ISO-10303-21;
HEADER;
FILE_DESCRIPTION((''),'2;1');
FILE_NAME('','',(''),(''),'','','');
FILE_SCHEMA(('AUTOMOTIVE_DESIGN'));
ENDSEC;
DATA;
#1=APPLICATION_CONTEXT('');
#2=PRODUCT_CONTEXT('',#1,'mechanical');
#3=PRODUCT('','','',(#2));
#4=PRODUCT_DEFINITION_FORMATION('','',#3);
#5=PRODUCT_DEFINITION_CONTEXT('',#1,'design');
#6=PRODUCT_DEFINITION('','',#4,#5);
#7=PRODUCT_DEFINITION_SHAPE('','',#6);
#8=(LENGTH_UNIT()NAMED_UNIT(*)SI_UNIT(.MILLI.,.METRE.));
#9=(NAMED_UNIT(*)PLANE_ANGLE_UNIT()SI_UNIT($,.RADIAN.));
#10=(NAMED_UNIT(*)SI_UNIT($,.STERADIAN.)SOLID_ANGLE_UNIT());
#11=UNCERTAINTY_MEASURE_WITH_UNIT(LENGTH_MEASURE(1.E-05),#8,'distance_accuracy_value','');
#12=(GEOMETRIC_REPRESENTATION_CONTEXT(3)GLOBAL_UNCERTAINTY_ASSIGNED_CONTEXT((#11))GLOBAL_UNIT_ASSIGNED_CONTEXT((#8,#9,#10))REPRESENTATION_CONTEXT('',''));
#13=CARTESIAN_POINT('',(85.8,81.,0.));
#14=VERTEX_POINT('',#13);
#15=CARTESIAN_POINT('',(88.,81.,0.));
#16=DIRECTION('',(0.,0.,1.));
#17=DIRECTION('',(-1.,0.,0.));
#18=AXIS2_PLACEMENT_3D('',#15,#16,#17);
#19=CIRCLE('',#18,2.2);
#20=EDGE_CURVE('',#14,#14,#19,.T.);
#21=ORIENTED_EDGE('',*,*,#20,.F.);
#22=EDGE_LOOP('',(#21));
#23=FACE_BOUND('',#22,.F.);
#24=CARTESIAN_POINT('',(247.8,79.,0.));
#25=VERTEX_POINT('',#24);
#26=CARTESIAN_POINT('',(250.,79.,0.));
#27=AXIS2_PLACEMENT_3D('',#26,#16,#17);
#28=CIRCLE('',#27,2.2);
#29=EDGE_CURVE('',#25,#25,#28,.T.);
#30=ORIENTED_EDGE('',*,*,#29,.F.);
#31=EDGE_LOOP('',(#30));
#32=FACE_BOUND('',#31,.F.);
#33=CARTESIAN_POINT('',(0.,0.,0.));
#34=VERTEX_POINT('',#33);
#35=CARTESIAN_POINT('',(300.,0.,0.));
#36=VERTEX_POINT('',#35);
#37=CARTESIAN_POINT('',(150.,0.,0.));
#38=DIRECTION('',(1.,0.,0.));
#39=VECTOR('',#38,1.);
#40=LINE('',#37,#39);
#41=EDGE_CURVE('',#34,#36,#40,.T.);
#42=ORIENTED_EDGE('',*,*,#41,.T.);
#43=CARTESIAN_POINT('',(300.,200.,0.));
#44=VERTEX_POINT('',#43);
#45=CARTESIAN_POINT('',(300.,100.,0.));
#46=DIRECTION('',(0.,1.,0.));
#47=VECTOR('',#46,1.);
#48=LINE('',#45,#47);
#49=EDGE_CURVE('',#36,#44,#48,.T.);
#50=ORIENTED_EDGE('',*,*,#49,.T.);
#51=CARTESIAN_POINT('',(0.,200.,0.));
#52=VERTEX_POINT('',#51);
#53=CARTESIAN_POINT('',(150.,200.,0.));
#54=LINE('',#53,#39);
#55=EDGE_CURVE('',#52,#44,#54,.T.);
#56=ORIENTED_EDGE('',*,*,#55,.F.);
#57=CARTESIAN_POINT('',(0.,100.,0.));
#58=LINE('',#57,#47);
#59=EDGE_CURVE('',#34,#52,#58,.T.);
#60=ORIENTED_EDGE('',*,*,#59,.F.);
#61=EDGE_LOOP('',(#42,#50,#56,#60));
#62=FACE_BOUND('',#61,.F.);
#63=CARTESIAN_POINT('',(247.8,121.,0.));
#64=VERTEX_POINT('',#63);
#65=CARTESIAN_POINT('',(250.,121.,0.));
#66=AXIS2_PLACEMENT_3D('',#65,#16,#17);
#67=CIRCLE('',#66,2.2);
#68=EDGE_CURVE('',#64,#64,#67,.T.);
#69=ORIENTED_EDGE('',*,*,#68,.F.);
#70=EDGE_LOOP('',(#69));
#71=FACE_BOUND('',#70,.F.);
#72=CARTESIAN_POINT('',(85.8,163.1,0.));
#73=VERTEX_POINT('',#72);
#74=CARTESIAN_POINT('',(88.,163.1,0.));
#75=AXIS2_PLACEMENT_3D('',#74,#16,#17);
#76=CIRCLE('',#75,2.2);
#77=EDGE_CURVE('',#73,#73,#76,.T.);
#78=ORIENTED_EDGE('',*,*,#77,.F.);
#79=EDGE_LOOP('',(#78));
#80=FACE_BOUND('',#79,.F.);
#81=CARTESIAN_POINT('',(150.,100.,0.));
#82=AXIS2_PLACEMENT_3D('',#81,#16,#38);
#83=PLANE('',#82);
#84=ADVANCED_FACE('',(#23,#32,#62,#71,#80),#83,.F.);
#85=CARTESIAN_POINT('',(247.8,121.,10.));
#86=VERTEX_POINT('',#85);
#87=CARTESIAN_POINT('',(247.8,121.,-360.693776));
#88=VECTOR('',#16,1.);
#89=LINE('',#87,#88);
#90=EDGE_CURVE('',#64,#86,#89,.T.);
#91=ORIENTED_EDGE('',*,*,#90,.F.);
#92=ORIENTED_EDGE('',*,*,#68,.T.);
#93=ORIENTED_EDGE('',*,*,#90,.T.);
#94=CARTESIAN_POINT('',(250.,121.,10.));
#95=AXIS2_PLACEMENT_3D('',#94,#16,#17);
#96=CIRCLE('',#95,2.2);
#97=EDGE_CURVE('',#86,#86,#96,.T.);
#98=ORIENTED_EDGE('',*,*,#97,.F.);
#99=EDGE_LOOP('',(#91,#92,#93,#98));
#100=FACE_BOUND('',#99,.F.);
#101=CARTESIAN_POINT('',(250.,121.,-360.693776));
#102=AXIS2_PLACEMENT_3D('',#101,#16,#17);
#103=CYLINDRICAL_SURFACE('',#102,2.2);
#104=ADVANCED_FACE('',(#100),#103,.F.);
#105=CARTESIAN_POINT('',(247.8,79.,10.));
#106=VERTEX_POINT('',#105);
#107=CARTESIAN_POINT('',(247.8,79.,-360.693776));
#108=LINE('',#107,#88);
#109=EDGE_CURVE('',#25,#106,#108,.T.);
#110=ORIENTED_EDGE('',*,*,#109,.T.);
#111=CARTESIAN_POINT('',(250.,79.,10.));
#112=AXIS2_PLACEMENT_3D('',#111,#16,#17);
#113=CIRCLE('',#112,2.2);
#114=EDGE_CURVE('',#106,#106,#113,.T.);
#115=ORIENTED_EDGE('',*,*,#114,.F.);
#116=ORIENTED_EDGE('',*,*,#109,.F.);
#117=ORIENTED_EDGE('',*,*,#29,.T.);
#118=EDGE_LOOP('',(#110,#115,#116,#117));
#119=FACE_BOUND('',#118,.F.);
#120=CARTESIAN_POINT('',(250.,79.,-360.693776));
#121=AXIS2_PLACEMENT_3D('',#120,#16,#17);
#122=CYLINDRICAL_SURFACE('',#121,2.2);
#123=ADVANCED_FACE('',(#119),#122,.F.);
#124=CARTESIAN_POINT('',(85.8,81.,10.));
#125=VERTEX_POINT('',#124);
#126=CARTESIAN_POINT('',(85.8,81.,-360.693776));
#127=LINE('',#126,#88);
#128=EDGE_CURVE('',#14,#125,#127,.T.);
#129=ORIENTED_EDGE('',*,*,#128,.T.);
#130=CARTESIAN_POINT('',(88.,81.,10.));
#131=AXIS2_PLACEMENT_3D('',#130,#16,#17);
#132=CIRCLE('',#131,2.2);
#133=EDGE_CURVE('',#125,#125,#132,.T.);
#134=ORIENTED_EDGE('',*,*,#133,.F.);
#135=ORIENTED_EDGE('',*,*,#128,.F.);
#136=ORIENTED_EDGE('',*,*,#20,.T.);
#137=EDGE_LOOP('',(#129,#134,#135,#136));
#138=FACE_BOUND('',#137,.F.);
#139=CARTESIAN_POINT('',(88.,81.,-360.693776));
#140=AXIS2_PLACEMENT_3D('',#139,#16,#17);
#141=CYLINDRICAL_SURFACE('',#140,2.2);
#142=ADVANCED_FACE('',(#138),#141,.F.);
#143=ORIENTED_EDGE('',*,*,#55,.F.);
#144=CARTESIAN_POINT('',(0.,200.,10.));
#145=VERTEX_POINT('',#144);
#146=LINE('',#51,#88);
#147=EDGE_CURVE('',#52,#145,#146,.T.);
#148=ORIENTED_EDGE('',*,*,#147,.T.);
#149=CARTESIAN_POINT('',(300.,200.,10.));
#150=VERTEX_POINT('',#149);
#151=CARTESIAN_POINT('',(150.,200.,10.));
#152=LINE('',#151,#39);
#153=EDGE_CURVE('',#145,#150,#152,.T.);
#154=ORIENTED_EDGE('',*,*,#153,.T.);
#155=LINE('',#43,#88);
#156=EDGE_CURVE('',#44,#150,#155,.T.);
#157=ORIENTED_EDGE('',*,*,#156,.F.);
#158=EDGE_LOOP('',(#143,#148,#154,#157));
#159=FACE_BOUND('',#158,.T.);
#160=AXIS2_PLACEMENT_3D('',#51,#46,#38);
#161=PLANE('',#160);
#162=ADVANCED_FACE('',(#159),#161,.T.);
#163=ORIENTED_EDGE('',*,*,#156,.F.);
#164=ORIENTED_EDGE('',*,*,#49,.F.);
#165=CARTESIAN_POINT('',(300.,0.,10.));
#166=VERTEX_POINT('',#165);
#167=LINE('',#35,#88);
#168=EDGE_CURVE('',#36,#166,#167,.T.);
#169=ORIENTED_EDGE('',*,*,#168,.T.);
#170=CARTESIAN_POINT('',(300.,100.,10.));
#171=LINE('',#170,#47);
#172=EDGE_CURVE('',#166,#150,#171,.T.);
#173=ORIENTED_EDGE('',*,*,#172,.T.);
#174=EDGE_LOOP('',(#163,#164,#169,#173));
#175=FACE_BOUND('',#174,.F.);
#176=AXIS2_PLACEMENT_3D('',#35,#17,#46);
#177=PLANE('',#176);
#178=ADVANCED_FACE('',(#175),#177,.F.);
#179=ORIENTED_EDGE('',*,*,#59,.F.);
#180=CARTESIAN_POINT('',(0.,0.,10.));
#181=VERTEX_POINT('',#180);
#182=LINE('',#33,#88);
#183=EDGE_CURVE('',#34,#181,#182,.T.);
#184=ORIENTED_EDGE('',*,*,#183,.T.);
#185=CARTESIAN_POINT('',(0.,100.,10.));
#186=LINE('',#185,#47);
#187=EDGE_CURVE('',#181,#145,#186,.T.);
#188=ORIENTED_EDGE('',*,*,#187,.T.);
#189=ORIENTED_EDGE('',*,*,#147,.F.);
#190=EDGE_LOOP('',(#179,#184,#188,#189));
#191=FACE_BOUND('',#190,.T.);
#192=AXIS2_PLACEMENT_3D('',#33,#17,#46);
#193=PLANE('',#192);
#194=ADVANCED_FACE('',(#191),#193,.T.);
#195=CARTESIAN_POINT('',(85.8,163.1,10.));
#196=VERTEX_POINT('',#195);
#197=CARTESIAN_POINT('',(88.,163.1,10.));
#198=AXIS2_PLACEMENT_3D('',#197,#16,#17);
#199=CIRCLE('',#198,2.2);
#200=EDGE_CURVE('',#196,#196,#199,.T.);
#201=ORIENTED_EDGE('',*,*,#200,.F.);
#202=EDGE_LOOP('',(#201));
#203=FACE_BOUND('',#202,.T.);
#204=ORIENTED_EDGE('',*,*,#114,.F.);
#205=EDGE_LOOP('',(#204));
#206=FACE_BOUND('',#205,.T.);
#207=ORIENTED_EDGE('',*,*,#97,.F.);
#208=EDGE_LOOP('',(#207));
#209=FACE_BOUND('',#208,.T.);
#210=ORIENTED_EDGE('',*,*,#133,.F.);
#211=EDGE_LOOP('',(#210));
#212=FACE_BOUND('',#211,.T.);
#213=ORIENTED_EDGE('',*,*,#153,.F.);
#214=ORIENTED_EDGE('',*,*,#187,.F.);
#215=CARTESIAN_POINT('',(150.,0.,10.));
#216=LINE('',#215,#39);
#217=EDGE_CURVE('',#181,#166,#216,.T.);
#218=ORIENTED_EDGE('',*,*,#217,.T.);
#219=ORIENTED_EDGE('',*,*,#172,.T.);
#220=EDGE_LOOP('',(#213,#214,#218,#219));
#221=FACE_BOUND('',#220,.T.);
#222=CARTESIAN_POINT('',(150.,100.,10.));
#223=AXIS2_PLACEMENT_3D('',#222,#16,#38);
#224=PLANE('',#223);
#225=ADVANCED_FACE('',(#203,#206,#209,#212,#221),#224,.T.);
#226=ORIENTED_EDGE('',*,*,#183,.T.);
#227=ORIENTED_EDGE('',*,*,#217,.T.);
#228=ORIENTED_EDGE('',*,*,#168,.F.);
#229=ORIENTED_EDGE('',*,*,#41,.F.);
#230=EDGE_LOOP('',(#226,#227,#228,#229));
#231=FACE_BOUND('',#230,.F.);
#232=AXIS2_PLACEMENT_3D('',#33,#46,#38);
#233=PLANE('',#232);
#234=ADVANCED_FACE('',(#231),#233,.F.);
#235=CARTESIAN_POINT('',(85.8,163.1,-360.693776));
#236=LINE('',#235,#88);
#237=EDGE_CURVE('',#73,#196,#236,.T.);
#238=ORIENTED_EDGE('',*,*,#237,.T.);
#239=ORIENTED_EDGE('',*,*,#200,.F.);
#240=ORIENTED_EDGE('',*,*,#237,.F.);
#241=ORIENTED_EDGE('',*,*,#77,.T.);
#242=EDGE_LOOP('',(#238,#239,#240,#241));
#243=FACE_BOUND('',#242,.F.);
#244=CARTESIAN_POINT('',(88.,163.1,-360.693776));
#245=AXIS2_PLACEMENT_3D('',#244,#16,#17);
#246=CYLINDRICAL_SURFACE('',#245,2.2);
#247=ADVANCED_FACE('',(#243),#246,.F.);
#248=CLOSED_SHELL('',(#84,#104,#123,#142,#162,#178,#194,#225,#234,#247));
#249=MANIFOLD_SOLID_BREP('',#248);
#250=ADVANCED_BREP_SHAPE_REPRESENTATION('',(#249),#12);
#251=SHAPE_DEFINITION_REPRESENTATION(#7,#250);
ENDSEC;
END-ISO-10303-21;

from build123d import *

# Parameters (mm, degrees)
F0_W     = 300
F0_H     = 200
F1_DEPTH = 10
F2_D     = 4.4


with BuildPart() as f1:
    # F0 (on Top) → F1 (new body)
    with BuildSketch(Plane.XY):
        with Locations((150, 100)):
            Rectangle(F0_W, F0_H)
    extrude(amount=F1_DEPTH)

    # F2 (through all)
    with Locations(Plane(origin=(0, 0, 0), x_dir=(1, 0, 0), z_dir=(0, 0, -1))):
        with Locations((250, -121), (250, -79), (88, -81), (88, -163.1)):
            Hole(F2_D / 2)


solid = f1.part
